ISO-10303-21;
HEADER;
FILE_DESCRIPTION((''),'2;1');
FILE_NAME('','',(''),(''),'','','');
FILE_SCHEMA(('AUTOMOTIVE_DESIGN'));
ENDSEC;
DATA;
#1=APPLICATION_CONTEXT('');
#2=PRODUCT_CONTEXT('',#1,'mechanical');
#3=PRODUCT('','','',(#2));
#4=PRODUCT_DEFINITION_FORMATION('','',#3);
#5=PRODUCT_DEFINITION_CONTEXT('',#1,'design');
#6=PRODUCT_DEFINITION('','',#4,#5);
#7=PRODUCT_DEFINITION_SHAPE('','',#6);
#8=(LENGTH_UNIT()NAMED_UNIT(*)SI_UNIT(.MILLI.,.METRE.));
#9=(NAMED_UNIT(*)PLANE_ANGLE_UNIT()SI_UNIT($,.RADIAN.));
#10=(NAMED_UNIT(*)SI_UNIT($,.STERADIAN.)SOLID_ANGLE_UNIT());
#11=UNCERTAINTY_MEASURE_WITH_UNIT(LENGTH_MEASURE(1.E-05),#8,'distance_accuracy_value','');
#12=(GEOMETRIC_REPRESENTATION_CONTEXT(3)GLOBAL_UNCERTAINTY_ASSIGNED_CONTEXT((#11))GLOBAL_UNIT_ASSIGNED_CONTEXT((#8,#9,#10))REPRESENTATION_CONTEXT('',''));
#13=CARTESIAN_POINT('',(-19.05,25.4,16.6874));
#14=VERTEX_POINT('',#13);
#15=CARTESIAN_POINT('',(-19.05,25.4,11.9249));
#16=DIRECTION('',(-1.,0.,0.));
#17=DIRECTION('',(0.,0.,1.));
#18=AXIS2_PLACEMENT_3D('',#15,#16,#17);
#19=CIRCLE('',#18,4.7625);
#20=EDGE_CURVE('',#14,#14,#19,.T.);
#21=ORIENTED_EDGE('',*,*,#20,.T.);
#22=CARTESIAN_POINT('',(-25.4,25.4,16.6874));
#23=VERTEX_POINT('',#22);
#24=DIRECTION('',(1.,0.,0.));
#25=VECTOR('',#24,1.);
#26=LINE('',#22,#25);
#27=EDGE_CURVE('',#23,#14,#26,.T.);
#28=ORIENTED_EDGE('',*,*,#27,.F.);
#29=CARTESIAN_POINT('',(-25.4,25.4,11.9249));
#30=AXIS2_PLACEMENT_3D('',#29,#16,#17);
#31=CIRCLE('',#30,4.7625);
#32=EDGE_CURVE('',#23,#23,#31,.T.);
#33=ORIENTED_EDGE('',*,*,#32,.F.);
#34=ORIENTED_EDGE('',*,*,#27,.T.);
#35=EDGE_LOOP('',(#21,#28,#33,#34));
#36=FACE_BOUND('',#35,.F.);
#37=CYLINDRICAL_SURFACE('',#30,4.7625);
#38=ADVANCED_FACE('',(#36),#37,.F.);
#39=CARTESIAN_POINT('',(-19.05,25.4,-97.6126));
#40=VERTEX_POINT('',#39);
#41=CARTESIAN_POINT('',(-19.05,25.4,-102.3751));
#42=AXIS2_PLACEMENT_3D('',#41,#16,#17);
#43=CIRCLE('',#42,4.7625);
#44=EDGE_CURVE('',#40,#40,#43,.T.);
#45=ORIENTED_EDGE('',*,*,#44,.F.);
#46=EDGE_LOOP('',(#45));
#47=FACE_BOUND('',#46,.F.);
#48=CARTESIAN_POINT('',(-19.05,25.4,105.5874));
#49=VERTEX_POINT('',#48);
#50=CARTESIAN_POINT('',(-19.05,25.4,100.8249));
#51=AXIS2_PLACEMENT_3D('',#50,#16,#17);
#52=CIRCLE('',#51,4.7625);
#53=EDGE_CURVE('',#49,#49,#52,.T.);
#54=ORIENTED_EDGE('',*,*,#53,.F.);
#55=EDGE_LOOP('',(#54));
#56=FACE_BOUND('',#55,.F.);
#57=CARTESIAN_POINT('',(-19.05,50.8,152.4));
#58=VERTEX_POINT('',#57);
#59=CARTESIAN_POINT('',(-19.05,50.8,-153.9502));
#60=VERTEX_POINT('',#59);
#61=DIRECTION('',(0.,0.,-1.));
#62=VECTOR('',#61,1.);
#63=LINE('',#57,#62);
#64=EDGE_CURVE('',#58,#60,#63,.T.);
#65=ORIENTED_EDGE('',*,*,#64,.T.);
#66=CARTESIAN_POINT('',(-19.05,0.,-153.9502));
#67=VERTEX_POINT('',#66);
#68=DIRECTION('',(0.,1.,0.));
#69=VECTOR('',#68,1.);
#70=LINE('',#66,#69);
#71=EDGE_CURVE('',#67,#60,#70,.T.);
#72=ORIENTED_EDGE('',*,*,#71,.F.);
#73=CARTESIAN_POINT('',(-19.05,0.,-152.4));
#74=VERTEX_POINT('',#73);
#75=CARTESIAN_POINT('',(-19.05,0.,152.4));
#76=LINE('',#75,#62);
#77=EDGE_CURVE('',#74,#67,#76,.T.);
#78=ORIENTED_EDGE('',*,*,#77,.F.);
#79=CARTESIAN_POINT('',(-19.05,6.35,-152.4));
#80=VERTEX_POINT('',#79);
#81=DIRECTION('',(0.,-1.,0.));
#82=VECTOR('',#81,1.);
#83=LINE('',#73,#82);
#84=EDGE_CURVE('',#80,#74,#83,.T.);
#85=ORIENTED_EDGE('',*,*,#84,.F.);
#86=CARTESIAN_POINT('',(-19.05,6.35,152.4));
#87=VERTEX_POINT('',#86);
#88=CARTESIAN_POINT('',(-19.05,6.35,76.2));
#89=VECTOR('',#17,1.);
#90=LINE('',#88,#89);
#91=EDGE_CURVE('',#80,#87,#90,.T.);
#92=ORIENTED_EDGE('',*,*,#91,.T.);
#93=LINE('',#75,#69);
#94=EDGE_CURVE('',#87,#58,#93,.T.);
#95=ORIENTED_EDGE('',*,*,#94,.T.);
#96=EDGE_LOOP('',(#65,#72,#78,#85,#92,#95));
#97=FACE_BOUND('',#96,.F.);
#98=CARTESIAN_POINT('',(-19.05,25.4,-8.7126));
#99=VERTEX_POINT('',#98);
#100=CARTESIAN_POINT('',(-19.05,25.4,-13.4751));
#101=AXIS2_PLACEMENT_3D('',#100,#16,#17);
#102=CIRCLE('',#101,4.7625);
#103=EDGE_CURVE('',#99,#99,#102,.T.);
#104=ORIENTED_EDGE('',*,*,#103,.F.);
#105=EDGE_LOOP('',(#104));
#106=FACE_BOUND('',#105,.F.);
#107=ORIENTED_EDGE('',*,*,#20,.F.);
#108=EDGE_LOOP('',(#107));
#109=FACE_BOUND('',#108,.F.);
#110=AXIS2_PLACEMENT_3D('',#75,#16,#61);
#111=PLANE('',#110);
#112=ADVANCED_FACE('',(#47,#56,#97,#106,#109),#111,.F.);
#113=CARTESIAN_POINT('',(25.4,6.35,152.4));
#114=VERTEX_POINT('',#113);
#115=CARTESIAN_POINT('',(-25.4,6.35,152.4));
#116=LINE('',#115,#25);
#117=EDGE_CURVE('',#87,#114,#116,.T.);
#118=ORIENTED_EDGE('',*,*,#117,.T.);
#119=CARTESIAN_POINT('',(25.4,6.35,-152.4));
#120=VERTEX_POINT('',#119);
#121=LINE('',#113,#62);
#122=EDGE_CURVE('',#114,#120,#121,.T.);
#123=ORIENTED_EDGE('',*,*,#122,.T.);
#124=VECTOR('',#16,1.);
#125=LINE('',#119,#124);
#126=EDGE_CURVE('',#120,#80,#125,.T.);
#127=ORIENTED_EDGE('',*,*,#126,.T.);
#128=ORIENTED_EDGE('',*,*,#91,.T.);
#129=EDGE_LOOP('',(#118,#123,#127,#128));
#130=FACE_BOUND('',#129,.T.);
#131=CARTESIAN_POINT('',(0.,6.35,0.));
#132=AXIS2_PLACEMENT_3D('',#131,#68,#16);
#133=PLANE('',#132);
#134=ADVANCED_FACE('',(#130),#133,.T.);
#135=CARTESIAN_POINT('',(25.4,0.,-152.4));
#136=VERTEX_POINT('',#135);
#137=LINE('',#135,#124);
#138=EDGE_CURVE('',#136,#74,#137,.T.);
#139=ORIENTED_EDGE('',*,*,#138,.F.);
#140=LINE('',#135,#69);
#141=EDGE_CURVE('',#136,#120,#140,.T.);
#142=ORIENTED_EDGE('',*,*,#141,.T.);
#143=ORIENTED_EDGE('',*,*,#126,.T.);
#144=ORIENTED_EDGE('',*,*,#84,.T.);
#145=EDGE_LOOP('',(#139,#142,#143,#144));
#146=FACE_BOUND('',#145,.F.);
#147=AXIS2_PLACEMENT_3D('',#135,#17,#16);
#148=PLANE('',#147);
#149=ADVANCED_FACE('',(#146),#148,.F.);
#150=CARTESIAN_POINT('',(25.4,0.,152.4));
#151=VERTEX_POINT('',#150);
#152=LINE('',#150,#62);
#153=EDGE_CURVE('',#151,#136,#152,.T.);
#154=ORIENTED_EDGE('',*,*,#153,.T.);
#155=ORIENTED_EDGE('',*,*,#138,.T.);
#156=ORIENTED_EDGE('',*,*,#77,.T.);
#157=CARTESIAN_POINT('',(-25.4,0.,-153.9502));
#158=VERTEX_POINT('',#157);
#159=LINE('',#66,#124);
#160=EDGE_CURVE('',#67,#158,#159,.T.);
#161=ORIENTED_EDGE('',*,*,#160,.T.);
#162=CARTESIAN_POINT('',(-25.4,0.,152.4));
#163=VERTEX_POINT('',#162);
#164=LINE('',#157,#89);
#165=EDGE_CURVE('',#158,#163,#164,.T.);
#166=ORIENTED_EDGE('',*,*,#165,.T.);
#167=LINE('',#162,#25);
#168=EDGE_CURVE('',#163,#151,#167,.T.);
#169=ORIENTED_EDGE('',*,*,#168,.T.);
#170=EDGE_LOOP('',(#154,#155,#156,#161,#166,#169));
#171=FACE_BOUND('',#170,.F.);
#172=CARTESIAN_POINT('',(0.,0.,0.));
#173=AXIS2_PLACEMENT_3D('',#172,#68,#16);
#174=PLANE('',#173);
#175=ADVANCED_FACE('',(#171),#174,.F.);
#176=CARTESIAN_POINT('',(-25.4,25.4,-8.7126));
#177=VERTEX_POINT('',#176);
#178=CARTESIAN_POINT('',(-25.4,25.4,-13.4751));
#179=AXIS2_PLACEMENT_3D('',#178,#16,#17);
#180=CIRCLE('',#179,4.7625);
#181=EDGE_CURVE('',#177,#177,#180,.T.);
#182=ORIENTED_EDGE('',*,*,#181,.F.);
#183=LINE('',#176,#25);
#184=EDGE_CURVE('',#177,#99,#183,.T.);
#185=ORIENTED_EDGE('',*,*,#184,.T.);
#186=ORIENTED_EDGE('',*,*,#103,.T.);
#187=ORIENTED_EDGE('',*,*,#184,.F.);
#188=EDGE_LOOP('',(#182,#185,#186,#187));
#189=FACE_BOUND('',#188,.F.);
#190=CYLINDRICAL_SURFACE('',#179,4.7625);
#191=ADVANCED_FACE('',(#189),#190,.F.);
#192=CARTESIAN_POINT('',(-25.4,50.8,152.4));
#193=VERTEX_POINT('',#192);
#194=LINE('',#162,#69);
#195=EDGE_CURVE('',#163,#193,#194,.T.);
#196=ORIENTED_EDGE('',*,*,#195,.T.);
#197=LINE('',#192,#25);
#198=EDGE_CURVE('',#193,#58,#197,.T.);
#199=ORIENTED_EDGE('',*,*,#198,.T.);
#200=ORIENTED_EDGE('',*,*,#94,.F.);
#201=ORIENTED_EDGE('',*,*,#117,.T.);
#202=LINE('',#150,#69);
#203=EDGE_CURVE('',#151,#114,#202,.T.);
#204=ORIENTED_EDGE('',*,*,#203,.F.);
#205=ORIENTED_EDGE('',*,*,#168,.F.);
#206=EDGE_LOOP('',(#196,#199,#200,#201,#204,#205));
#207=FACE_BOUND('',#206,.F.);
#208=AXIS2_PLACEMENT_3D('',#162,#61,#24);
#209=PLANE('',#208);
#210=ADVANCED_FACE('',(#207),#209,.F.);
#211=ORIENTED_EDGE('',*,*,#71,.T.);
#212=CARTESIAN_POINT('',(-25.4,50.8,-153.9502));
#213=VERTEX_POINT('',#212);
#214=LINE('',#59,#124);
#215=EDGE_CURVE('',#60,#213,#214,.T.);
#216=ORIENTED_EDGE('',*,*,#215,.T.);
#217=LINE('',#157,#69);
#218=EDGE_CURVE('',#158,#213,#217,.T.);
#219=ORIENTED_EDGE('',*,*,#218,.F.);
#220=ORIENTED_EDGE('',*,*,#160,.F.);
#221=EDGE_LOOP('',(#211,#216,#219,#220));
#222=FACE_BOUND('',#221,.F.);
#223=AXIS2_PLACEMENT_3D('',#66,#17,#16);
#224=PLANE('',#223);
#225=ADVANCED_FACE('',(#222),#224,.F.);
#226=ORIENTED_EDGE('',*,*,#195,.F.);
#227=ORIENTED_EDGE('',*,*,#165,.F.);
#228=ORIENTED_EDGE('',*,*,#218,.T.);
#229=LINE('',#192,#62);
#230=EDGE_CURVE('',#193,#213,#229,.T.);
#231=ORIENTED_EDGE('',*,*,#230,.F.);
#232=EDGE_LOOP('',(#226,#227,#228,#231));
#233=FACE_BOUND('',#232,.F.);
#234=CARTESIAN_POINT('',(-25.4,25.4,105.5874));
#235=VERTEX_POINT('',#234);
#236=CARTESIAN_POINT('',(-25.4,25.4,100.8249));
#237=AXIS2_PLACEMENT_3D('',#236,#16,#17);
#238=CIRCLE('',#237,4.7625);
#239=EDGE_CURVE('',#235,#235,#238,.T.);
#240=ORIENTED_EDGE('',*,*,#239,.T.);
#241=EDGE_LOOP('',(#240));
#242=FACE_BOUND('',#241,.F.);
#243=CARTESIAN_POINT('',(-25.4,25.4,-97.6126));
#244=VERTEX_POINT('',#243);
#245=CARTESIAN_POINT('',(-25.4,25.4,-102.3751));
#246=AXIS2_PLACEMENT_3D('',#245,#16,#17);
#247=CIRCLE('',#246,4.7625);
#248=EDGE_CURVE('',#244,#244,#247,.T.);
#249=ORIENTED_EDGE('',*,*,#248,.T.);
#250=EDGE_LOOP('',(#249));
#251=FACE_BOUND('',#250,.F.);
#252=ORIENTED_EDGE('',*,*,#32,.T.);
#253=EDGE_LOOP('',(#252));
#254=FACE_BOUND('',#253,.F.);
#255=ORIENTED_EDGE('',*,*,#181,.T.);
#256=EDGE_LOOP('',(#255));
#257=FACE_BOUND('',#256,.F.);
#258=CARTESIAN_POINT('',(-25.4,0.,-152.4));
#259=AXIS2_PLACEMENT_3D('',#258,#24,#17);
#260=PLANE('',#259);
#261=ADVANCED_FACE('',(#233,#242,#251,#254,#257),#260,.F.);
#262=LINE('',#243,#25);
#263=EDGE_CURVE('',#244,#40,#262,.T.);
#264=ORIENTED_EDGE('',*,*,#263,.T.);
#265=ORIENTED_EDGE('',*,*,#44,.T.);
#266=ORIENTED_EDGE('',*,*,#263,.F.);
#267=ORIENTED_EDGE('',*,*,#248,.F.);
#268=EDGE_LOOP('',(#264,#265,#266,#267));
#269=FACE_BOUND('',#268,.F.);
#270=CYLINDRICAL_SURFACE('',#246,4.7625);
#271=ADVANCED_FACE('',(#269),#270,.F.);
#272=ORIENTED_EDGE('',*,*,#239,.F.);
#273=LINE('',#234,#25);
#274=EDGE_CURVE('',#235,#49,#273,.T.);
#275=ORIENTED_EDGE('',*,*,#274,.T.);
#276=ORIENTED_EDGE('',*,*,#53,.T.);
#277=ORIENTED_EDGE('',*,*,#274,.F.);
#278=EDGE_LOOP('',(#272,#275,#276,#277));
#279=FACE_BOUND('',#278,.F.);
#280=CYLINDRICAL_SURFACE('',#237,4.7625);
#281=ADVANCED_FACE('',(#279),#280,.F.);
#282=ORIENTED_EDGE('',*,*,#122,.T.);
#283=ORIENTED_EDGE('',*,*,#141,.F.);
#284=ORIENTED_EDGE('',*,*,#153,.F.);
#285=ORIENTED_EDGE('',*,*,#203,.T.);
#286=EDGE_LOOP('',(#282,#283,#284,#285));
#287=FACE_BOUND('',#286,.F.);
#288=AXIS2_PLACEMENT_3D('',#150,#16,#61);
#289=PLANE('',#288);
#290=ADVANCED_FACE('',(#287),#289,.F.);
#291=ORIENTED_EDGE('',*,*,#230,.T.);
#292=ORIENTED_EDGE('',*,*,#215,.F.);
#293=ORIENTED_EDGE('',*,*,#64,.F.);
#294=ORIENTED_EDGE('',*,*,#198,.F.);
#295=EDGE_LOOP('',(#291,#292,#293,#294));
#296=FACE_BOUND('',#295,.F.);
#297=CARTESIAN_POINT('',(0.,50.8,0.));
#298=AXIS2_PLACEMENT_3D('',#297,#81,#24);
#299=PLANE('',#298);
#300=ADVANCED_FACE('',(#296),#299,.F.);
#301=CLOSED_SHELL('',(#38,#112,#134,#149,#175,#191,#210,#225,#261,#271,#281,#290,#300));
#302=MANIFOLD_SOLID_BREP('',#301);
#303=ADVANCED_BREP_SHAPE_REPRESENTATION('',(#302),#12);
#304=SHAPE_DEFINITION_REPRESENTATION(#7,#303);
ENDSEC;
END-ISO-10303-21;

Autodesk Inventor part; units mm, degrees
ref_plane "YZ Plane" through (0, 0, 0) normal (1, 0, 0) x (0, 1, 0)
ref_plane "XZ Plane" through (0, 0, 0) normal (0, 1, 0) x (-1, 0, 0)
ref_plane "XY Plane" through (0, 0, 0) normal (0, 0, 1) x (1, 0, 0)
sketch "Sketch1" plane through (0, 0, 0) normal (0, 1, 0) x (-1, 0, 0)
  line L0 (25.4, 152.4) -> (-25.4, 152.4)
  line L1 (-25.4, 152.4) -> (-25.4, -152.4)
  line L2 (-25.4, -152.4) -> (25.4, -152.4)
  line L3 (25.4, -152.4) -> (25.4, 152.4)
  point P0 (0, 0)
  dimension "d0" = 50.8
  dimension "d1" = 304.8
  dimension "d2" = 152.4
  dimension "d3" = 25.4
extrude "Extrusion1" add sketch "Sketch1" along normal blind 6.35
sketch "Sketch2" plane through (0, 0, 0) normal (0, -1, 0) x (1, 0, 0)
  line L0 (-25.4, -152.4) -> (-25.4, 152.4) projected
  line L1 (-25.4, 152.4) -> (-19.05, 152.4)
  line L2 (-19.05, 152.4) -> (-19.05, -153.9502)
  line L3 (-19.05, -153.9502) -> (-25.4, -153.9502)
  line L4 (-25.4, -153.9502) -> (-25.4, 152.4)
  point P0 (0, 0)
  dimension "d6" = 6.35
extrude "Extrusion2" add sketch "Sketch2" against normal blind 50.8
sketch "Sketch3" plane through (-25.4, 0, -153.9502) normal (-1, 0, 0) x (0, 0, 1)
  line L0 (153.9502, 0) -> (153.1751, 50.8) construction
  line L1 (0, 50.8) -> (306.3502, 50.8) construction
  line L2 (0, 0) -> (0, 50.8) construction
  line L3 (0, 25.4) -> (306.3502, 25.4) construction
  line L4 (306.3502, 0) -> (306.3502, 50.8) construction
  circle A0 centre (165.8751, 25.4) radius 4.7625
  circle A1 centre (254.7751, 25.4) radius 4.7625
  circle A2 centre (140.4751, 25.4) radius 4.7625
  circle A3 centre (51.5751, 25.4) radius 4.7625
  point P0 (153.1751, 25.4)
  dimension "d9" = 9.525
  dimension "d10" = 12.7
  dimension "d11" = 12.7
  dimension "d12" = 101.6
  dimension "d13" = 88.9
extrude "Extrusion3" cut sketch "Sketch3" against normal blind 50.8
equation "\"d2\" = 0.5 * d1"
equation "\"d3\" = 0.5 * d0"
equation "\"d11\" = d10"
properties part number "L-Bracket"
